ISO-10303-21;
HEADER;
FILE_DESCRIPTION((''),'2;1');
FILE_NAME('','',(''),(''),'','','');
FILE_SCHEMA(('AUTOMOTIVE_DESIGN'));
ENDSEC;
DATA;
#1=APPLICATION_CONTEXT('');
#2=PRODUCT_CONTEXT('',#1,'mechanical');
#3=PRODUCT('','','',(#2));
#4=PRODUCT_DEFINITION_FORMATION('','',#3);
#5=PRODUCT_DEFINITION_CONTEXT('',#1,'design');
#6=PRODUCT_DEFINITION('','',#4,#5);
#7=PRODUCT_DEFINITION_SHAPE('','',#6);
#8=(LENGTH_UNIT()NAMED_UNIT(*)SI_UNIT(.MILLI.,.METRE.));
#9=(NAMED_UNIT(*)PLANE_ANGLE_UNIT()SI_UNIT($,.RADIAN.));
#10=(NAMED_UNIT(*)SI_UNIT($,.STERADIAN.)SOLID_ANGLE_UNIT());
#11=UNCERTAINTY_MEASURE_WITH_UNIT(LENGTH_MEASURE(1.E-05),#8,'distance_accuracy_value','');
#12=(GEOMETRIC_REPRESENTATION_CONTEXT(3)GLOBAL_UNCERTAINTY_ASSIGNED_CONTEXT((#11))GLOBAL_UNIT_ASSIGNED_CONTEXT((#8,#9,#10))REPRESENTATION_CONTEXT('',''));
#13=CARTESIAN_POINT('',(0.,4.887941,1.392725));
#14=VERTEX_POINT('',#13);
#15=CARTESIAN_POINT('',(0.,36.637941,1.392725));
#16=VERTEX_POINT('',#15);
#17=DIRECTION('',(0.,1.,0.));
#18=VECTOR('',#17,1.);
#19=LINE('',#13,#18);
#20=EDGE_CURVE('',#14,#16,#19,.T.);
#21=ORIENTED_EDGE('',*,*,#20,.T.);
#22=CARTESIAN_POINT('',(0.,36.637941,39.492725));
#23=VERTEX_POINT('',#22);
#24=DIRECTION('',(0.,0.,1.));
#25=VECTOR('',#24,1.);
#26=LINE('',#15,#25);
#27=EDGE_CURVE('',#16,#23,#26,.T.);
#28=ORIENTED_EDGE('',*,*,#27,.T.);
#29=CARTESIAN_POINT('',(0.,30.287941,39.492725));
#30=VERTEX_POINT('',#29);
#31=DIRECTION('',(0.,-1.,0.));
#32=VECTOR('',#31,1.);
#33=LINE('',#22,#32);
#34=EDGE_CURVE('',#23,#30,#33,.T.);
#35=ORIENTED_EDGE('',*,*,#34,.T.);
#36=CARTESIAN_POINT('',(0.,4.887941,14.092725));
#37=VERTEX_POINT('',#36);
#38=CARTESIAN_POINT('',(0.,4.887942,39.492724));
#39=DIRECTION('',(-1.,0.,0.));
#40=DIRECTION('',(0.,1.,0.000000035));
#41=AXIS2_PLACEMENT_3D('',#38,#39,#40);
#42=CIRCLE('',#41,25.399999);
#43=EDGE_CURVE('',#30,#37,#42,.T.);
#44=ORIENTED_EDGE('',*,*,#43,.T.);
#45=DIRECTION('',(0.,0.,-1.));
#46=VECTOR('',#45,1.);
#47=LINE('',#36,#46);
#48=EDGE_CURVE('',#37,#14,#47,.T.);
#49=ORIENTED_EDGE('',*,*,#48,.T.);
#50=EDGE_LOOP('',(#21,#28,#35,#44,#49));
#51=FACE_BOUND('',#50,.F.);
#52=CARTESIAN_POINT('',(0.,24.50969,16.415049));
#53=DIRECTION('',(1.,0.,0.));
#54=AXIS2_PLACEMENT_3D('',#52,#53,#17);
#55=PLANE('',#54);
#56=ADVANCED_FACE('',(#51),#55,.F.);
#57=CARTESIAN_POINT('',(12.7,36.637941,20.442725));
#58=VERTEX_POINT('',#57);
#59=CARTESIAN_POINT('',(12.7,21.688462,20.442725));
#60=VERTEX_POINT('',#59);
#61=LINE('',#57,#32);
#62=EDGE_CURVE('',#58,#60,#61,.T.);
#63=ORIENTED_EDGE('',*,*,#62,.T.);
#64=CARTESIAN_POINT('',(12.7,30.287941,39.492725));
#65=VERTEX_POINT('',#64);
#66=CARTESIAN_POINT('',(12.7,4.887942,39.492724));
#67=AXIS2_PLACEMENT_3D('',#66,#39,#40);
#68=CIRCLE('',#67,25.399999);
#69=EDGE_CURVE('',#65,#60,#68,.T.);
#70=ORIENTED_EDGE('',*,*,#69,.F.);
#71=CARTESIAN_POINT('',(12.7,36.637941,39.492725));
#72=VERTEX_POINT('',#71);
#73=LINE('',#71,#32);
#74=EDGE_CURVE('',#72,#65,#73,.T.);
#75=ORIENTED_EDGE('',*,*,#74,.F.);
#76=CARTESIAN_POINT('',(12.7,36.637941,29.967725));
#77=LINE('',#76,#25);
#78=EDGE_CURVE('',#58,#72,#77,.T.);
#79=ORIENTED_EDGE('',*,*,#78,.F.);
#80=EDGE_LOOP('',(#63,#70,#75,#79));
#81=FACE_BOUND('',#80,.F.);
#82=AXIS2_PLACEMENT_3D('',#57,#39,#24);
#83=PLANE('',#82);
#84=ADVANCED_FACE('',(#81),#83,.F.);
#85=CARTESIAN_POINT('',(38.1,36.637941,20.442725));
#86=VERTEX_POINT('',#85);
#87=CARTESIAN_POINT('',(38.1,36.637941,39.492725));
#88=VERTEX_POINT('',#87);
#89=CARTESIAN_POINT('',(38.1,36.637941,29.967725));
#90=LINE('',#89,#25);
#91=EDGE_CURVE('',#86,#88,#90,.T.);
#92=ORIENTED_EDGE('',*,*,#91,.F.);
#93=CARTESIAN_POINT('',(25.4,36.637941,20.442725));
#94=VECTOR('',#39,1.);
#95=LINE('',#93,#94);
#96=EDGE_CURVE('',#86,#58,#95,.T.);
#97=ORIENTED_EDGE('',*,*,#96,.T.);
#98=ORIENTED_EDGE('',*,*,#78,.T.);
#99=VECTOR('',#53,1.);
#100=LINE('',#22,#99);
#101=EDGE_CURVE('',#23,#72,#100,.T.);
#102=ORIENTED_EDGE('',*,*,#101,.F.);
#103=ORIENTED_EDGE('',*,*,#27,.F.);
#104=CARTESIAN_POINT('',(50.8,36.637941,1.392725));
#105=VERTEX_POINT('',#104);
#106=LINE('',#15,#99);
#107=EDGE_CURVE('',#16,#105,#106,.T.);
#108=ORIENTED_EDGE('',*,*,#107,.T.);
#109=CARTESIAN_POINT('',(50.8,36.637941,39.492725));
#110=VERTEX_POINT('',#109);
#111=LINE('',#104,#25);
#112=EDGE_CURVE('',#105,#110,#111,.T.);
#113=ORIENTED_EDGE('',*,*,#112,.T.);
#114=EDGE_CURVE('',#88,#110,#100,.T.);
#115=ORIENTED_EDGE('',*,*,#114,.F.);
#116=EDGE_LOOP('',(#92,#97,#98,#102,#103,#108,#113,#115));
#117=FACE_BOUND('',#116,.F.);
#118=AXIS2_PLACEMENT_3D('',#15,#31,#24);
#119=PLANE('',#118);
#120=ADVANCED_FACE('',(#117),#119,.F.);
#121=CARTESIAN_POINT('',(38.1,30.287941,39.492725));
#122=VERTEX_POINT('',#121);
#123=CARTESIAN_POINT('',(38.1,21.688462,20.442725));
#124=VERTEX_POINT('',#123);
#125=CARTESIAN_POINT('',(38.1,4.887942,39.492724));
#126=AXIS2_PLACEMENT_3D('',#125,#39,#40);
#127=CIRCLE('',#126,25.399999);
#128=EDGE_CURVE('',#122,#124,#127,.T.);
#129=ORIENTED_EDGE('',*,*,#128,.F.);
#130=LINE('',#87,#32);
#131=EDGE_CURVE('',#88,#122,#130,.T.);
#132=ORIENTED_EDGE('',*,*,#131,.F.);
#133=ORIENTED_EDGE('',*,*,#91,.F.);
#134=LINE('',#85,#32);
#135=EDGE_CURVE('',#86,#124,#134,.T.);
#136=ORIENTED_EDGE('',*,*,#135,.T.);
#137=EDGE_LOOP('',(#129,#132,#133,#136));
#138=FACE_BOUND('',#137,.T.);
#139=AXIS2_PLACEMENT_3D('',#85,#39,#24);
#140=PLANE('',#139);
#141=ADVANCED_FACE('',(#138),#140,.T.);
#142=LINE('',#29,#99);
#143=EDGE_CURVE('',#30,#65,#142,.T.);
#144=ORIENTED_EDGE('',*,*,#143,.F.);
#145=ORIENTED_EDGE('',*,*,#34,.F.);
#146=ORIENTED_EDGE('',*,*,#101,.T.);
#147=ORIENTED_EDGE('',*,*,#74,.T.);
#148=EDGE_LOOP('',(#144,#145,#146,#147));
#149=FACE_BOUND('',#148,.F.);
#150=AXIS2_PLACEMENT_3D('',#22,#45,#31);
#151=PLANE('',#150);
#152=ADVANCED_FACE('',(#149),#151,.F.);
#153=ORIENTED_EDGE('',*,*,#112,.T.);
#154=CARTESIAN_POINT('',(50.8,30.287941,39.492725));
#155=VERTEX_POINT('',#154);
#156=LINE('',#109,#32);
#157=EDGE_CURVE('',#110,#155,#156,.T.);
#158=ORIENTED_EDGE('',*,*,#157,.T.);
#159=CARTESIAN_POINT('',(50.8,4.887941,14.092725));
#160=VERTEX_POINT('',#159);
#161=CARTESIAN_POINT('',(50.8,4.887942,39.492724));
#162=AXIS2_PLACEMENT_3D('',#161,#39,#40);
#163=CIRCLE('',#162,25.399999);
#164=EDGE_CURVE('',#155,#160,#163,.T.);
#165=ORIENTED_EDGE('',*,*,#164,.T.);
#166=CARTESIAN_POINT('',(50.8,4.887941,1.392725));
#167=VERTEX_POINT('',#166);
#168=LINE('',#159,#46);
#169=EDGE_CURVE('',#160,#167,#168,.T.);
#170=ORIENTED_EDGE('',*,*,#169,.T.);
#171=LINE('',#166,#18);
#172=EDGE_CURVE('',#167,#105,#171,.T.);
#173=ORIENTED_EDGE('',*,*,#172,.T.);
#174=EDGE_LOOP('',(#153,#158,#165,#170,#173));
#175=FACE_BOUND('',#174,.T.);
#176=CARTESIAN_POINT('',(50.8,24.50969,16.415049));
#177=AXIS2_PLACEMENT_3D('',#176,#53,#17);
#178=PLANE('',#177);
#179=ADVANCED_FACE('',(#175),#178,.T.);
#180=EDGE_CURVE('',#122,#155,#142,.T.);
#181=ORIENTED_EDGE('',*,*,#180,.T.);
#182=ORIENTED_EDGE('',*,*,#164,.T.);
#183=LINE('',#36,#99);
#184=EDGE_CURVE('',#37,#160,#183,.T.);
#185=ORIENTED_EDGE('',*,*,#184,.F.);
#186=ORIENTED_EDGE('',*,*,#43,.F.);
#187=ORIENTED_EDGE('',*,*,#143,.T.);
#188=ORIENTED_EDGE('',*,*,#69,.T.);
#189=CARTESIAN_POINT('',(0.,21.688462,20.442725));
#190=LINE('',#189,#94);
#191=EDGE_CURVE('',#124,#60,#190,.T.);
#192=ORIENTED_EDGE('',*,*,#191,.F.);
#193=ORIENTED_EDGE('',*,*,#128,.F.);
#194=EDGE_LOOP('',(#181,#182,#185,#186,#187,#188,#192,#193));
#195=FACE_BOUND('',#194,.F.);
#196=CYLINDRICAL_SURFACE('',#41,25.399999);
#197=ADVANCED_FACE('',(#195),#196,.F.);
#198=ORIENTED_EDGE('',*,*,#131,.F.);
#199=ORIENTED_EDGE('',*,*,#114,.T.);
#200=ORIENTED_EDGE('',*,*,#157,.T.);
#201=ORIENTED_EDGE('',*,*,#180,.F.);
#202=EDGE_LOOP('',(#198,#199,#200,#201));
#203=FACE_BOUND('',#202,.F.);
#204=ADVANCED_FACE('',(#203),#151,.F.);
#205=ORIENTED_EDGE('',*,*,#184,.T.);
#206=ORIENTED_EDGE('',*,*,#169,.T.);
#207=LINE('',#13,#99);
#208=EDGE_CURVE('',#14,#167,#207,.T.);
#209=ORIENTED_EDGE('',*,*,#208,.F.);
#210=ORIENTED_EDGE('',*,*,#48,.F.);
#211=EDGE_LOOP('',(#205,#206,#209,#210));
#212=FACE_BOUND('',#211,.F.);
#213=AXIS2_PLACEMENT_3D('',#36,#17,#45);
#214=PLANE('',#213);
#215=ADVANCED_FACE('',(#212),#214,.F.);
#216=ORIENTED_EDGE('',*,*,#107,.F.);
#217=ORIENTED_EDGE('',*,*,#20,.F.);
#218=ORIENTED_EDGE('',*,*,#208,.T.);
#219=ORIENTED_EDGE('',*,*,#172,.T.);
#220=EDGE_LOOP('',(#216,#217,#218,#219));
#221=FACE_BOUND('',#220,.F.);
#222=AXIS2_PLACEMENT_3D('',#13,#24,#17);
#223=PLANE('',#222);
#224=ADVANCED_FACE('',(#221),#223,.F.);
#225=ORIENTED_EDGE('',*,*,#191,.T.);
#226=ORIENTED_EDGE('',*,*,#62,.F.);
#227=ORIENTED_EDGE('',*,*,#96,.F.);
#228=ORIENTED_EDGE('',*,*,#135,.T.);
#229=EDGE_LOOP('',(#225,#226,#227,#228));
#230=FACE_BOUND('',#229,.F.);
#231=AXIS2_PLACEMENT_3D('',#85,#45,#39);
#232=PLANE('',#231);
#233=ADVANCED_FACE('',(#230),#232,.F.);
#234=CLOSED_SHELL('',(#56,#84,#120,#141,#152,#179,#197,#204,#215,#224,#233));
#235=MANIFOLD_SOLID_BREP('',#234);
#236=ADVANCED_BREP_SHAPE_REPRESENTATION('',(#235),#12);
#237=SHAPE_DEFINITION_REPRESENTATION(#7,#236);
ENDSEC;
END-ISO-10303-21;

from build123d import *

# Parameters (mm, degrees)
F1_DEPTH = 50.8
F2_W     = 25.4
F2_H     = 19.05
F3_DEPTH = 25.4


with BuildPart() as f1:
    # F0 (on Right) → F1 (new body)
    with BuildSketch(Plane.YZ):
        with BuildLine():
            ThreePointArc((30.287941, 39.492725), (22.848454, 21.532213), (4.887941, 14.092725))
            Line((4.887941, 14.092725), (4.887941, 1.392725))
            Line((4.887941, 1.392725), (36.637941, 1.392725))
            Line((36.637941, 1.392725), (36.637941, 39.492725))
            Line((36.637941, 39.492725), (30.287941, 39.492725))
        make_face()
    extrude(amount=F1_DEPTH)

    # F2 (on face) → F3 (cut)
    with BuildSketch(Plane(origin=(0, 36.637941, 0), x_dir=(-1, 0, 0), z_dir=(0, 1, 0))):
        with Locations((-25.4, 29.967725)):
            Rectangle(F2_W, F2_H)
    extrude(amount=-F3_DEPTH, mode=Mode.SUBTRACT)


solid = f1.part
